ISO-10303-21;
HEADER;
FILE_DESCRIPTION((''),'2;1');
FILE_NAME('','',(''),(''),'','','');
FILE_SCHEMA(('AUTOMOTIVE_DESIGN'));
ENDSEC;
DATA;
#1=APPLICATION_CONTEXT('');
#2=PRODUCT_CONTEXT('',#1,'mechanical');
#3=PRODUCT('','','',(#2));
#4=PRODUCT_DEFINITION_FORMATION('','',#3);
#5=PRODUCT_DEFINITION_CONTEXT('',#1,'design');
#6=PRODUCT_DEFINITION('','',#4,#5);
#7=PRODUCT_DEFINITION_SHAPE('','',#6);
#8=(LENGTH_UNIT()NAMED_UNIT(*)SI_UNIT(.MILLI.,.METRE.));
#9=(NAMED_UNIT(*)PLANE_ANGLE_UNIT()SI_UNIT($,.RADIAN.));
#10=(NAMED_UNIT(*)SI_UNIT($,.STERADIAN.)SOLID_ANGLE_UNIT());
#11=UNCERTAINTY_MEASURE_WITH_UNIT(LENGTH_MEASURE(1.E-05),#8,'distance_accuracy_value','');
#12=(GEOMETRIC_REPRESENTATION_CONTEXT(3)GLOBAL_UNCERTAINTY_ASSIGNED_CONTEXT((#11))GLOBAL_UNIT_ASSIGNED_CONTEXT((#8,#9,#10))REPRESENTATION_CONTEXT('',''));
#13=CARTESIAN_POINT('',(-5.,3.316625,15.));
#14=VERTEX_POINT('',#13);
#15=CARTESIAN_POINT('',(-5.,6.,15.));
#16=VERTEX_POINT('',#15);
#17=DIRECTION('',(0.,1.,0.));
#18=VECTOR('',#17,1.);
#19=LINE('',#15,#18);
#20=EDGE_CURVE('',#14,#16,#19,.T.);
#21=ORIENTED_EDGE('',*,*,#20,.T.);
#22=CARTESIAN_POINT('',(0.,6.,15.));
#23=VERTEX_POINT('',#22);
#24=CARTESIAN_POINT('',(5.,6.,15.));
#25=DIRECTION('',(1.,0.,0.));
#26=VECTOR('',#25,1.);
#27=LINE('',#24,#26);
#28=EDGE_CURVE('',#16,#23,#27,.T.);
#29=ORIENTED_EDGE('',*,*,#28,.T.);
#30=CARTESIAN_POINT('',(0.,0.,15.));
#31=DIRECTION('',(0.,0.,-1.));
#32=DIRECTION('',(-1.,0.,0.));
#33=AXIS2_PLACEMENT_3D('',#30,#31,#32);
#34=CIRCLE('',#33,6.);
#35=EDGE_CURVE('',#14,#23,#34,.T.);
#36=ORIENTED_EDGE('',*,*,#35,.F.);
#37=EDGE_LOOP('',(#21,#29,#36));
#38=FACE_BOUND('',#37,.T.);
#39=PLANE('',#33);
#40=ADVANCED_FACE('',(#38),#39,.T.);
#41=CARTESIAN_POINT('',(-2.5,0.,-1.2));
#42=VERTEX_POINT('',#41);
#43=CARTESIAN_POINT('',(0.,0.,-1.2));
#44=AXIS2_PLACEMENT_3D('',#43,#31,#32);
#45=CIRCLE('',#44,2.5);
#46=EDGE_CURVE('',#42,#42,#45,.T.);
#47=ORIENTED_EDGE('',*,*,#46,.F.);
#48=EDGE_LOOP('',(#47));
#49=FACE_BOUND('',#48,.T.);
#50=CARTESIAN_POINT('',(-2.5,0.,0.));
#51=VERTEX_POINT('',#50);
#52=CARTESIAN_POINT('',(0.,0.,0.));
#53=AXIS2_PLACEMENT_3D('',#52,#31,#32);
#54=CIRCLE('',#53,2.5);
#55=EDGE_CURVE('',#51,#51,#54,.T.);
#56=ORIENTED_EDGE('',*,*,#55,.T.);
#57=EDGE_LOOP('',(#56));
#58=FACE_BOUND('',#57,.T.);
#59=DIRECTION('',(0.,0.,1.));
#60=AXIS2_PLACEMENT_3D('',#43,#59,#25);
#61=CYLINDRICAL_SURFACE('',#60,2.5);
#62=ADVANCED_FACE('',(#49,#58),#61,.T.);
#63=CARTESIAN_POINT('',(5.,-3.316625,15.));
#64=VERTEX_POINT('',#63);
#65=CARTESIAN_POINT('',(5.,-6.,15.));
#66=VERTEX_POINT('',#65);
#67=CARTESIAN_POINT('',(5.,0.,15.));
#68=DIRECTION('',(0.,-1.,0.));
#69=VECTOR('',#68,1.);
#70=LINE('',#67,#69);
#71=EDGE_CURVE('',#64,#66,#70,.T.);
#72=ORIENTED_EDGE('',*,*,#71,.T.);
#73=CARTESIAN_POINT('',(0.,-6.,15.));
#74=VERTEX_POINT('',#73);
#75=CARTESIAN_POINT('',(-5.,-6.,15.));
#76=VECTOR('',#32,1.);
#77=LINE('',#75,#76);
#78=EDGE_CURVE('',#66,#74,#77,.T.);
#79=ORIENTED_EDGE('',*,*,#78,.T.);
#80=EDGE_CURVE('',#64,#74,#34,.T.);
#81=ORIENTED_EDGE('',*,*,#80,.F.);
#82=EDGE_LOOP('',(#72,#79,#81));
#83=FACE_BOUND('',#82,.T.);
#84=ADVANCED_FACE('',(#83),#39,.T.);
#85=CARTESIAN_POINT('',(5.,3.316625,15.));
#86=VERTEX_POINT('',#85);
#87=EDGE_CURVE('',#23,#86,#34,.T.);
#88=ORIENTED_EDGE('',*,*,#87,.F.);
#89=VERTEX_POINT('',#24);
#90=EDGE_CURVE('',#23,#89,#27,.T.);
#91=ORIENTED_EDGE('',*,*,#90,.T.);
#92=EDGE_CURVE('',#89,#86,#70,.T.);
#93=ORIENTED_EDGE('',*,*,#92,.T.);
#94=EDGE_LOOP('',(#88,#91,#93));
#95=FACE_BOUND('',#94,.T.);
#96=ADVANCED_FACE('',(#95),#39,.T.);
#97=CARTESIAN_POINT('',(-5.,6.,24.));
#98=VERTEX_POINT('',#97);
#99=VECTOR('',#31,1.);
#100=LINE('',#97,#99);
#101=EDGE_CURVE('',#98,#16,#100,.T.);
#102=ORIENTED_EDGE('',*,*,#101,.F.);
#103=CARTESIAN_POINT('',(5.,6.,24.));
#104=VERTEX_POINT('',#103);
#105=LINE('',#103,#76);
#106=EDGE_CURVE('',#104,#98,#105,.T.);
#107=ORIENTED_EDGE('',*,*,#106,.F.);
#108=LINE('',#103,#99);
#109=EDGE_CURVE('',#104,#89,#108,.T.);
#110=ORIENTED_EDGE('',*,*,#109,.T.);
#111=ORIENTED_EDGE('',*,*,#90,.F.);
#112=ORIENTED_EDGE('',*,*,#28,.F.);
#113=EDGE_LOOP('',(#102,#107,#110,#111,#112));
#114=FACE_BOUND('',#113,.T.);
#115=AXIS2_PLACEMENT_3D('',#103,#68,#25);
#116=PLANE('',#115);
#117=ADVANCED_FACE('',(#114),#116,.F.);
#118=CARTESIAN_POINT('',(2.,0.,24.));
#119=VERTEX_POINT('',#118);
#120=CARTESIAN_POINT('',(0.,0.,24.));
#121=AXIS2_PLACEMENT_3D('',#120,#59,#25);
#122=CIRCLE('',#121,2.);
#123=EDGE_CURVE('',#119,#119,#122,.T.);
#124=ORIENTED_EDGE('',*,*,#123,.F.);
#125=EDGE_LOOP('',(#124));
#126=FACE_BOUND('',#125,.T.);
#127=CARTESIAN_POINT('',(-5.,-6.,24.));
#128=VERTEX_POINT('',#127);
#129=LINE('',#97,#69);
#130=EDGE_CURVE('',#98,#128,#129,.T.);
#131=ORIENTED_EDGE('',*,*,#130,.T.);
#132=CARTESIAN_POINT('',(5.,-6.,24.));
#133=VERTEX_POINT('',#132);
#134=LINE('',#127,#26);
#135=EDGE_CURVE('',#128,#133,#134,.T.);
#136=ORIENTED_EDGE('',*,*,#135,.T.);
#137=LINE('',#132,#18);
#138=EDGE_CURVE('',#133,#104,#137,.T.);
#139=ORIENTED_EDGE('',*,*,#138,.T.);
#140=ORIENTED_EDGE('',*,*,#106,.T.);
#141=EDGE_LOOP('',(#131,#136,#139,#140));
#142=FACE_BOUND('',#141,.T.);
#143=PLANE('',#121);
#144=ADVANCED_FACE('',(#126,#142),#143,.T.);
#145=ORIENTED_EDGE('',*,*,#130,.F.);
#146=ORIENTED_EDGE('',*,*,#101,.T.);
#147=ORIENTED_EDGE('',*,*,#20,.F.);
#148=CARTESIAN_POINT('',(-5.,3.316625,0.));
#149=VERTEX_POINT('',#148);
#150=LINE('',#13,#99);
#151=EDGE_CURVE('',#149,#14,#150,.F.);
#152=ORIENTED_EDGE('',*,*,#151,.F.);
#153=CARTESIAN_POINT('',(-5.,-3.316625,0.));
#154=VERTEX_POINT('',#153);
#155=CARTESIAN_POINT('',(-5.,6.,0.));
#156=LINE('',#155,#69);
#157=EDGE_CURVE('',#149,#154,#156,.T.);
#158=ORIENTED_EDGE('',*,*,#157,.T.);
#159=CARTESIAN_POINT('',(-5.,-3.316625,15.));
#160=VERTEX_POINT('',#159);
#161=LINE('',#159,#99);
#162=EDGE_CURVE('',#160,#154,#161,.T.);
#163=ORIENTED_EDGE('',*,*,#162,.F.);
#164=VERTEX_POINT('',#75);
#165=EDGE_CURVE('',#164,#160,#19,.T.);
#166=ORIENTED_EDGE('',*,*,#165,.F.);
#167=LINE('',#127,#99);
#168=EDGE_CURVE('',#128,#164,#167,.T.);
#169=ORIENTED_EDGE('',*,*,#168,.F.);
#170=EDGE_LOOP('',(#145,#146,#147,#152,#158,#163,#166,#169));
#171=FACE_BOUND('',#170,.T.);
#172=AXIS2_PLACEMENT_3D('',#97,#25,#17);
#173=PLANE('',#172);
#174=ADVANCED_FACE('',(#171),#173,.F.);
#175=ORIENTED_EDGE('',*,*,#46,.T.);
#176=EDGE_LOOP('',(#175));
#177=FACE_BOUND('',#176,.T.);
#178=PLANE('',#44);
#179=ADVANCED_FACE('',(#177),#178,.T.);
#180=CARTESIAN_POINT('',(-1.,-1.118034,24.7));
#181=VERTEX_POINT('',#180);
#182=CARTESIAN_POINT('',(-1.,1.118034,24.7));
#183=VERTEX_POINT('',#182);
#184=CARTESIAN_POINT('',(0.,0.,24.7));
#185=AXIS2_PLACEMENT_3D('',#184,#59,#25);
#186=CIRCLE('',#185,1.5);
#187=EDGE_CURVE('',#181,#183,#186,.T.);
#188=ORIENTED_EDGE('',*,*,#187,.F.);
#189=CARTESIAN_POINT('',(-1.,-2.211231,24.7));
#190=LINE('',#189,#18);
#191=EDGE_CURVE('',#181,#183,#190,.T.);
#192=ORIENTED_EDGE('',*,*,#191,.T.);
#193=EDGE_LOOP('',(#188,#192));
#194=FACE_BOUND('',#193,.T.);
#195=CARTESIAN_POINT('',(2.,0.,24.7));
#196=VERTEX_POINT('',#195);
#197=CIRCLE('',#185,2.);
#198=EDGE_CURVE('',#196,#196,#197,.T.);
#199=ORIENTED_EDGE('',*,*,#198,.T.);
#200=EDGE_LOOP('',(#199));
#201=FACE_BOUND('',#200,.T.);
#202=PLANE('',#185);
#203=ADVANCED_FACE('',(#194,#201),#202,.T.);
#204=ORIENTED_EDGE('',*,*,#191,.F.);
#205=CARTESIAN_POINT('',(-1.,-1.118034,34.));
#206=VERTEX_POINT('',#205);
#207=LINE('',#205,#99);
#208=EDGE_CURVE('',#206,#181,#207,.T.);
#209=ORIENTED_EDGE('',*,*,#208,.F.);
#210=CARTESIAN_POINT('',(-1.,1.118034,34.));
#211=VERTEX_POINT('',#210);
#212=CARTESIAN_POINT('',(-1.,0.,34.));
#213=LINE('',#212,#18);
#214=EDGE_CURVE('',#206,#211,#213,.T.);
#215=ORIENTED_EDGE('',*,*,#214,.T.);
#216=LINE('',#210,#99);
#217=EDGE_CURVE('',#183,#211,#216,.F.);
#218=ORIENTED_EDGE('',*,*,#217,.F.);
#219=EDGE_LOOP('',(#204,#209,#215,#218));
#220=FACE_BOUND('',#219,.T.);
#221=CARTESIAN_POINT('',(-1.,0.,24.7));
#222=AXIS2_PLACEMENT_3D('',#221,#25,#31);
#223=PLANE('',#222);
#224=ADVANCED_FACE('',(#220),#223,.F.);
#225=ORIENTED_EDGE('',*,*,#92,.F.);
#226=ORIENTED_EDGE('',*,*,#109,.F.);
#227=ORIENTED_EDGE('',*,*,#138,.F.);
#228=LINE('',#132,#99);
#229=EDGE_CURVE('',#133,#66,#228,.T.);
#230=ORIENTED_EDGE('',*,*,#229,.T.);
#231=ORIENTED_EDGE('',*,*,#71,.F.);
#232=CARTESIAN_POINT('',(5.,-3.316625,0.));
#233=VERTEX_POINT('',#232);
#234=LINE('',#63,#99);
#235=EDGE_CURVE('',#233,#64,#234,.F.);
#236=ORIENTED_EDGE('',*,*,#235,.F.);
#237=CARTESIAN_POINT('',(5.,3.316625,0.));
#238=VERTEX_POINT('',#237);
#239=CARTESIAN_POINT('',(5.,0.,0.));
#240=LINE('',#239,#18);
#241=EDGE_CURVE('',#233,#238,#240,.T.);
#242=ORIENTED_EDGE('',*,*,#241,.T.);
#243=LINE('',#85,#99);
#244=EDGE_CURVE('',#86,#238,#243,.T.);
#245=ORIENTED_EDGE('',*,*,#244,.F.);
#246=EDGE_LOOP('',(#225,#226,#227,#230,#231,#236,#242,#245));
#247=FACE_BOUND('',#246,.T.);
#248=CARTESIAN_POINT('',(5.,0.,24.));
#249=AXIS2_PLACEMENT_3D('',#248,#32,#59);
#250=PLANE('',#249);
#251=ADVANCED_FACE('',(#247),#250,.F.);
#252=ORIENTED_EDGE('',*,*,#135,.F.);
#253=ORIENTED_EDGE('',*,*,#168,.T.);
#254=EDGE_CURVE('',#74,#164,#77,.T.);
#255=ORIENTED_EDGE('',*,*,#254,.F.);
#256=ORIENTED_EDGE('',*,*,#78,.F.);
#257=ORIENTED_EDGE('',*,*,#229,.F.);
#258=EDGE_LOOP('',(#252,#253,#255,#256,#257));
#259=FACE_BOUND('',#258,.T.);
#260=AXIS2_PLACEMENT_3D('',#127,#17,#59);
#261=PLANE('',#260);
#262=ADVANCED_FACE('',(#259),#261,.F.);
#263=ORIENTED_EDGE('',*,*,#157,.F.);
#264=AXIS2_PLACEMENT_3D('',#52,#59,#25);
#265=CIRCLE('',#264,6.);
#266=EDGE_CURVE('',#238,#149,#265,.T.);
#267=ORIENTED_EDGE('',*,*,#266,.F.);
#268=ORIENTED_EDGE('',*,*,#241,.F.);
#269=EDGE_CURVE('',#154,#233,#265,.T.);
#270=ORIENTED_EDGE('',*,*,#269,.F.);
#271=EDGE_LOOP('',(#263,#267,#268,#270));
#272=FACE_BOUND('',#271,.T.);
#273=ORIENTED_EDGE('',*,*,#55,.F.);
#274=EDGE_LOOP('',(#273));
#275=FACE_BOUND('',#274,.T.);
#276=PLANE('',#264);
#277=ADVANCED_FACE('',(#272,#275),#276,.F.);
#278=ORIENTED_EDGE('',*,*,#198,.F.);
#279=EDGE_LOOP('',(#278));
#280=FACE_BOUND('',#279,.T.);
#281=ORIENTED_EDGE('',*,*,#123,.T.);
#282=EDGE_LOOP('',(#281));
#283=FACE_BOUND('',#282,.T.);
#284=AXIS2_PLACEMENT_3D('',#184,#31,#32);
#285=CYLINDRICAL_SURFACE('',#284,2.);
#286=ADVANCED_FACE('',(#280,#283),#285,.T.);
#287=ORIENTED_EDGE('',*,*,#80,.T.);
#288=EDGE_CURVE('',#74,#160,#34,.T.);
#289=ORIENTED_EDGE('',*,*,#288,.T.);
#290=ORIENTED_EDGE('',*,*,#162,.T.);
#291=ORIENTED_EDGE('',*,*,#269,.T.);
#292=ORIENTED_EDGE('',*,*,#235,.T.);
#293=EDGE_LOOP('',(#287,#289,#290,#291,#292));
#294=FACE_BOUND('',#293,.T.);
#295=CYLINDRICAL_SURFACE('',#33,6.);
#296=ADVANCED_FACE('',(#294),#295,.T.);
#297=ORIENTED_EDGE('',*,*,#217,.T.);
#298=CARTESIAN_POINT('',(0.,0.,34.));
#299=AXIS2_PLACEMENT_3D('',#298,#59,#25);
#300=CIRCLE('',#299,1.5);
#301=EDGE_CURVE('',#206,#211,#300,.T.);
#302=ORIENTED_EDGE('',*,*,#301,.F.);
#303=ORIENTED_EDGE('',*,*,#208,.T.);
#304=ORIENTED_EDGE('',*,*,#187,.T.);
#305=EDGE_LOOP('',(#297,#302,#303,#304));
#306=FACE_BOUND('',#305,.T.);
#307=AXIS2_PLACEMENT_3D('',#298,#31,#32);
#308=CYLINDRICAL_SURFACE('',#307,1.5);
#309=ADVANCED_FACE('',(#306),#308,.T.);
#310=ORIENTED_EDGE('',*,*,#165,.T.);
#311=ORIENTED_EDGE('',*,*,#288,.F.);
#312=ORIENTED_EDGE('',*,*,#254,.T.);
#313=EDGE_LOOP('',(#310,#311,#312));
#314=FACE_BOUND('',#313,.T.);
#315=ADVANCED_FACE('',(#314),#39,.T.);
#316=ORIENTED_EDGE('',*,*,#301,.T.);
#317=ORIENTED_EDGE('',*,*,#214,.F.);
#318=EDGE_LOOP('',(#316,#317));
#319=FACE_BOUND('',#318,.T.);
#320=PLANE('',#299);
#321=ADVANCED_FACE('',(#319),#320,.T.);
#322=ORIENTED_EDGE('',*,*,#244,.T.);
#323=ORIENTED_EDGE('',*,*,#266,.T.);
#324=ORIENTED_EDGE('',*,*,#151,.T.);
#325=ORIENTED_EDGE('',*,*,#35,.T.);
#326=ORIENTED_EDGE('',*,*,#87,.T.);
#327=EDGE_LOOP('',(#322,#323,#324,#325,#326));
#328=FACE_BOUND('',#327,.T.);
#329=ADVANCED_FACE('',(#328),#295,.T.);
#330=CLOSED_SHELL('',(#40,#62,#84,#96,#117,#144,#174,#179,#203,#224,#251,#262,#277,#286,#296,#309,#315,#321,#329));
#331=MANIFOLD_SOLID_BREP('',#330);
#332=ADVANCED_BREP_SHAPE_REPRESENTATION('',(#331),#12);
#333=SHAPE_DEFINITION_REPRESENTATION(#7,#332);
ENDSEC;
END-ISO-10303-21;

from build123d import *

# Parameters (mm, degrees)
EXTRUDE_1_DEPTH     = 24
SKETCH_2_R          = 2.5
EXTRUDE_2_DEPTH     = 1.2
SKETCH_3_R          = 2
EXTRUDE_3_DEPTH     = 0.7
SKETCH_5_R          = 1.5
EXTRUDE_5_DEPTH     = 9.3
SKETCH_6_R          = 8.807991622
SKETCH_6_R_2        = 6
CUT_EXTRUDE_1_DEPTH = 15
CUT_EXTRUDE_2_DEPTH = 9.3


with BuildPart() as part:
    # 草图1 → 凸台-拉伸1 (new body)
    with BuildSketch(Plane.XY):
        Polygon((5, 0), (5, 6), (-5, 6), (-5, -6), (5, -6), align=None)
    extrude(amount=EXTRUDE_1_DEPTH)

    # 草图2 → 凸台-拉伸2 (add)
    with BuildSketch(Plane(origin=(0, 0, 0), x_dir=(-1, 0, 0), z_dir=(0, 0, -1))):
        Circle(SKETCH_2_R)
    extrude(amount=EXTRUDE_2_DEPTH)

    # 草图3 → 凸台-拉伸3 (add)
    with BuildSketch(Plane.XY.offset(24)):
        Circle(SKETCH_3_R)
    extrude(amount=EXTRUDE_3_DEPTH)

    # 草图5 → 凸台-拉伸5 (add)
    with BuildSketch(Plane.XY.offset(24.7)):
        Circle(SKETCH_5_R)
    extrude(amount=EXTRUDE_5_DEPTH)

    # 草图6 → 切除-拉伸1 (cut)
    with BuildSketch(Plane(origin=(0, 0, 0), x_dir=(-1, 0, 0), z_dir=(0, 0, -1))):
        Circle(SKETCH_6_R)
        Circle(SKETCH_6_R_2, mode=Mode.SUBTRACT)
    extrude(amount=-CUT_EXTRUDE_1_DEPTH, mode=Mode.SUBTRACT)

    # 草图7 → 切除-拉伸2 (cut)
    with BuildSketch(Plane.XY.offset(34)):
        Polygon((-1, 0), (-1, 3.342262846), (-2.573415309, 3.342262846), (-2.573415309, -2.211230932), (-1, -2.211230932), align=None)
    extrude(amount=-CUT_EXTRUDE_2_DEPTH, mode=Mode.SUBTRACT)


solid = part.part
